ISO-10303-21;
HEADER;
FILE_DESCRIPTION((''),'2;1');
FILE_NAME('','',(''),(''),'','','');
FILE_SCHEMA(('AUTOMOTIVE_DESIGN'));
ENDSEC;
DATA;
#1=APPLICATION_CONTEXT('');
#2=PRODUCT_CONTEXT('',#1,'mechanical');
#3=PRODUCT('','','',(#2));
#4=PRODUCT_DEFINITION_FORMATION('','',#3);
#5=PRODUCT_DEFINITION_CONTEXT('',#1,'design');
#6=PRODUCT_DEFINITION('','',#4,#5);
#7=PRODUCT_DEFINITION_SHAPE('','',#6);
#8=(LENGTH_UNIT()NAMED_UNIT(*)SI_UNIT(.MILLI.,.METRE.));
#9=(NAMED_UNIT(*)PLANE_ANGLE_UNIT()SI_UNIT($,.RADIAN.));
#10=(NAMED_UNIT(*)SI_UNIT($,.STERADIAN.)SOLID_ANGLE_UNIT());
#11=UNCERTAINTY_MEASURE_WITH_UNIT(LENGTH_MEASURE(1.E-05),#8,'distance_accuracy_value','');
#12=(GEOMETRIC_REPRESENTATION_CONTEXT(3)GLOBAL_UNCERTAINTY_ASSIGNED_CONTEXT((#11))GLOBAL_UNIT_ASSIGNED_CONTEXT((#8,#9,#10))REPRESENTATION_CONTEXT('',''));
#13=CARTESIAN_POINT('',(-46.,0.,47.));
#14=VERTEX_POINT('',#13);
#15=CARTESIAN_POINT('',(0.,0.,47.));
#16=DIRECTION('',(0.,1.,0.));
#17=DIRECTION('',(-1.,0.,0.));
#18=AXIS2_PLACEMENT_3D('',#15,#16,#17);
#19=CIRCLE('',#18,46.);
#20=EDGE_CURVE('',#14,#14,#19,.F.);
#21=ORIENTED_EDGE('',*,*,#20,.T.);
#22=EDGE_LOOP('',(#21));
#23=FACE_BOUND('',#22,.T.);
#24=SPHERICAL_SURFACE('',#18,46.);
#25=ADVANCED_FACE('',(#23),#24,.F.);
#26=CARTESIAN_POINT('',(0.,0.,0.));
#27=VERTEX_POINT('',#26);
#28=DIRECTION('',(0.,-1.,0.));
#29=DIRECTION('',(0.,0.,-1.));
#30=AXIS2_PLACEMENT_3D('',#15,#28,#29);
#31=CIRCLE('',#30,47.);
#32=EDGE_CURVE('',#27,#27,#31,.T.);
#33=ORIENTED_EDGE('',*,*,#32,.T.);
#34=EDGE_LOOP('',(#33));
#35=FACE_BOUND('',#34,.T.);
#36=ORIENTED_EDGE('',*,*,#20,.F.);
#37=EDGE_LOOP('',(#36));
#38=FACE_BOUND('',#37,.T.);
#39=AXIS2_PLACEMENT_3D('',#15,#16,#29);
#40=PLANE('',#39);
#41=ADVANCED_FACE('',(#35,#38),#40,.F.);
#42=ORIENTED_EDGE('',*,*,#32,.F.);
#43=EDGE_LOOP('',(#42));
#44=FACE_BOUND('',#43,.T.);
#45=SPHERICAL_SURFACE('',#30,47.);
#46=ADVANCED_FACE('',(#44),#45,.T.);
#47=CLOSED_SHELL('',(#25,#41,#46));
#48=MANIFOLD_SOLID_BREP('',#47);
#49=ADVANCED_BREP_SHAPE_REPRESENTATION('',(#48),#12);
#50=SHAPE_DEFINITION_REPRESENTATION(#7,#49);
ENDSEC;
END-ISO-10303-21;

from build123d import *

# Parameters (mm, degrees)
REVOLVE_1_ANGLE = 180
SHELL_3_T       = -1


with BuildPart() as part:
    # 草图1 → 旋转1 (revolve)
    with BuildSketch(Plane(origin=(0, 0, 0), x_dir=(1, 0, 0), z_dir=(0, 1, 0))):
        with BuildLine():
            Line((0, 0), (0, -94))
            ThreePointArc((0, -94), (47, -47), (0, 0))
        make_face()
    revolve(axis=Axis((0, 0, 0), (0, 0, 1)), revolution_arc=REVOLVE_1_ANGLE)

    # 抽壳3
    shell_3_openings = [part.faces().sort_by_distance(p)[0] for p in [
        (0, 0, 47),
    ]]
    offset(amount=SHELL_3_T, openings=shell_3_openings)


solid = part.part
